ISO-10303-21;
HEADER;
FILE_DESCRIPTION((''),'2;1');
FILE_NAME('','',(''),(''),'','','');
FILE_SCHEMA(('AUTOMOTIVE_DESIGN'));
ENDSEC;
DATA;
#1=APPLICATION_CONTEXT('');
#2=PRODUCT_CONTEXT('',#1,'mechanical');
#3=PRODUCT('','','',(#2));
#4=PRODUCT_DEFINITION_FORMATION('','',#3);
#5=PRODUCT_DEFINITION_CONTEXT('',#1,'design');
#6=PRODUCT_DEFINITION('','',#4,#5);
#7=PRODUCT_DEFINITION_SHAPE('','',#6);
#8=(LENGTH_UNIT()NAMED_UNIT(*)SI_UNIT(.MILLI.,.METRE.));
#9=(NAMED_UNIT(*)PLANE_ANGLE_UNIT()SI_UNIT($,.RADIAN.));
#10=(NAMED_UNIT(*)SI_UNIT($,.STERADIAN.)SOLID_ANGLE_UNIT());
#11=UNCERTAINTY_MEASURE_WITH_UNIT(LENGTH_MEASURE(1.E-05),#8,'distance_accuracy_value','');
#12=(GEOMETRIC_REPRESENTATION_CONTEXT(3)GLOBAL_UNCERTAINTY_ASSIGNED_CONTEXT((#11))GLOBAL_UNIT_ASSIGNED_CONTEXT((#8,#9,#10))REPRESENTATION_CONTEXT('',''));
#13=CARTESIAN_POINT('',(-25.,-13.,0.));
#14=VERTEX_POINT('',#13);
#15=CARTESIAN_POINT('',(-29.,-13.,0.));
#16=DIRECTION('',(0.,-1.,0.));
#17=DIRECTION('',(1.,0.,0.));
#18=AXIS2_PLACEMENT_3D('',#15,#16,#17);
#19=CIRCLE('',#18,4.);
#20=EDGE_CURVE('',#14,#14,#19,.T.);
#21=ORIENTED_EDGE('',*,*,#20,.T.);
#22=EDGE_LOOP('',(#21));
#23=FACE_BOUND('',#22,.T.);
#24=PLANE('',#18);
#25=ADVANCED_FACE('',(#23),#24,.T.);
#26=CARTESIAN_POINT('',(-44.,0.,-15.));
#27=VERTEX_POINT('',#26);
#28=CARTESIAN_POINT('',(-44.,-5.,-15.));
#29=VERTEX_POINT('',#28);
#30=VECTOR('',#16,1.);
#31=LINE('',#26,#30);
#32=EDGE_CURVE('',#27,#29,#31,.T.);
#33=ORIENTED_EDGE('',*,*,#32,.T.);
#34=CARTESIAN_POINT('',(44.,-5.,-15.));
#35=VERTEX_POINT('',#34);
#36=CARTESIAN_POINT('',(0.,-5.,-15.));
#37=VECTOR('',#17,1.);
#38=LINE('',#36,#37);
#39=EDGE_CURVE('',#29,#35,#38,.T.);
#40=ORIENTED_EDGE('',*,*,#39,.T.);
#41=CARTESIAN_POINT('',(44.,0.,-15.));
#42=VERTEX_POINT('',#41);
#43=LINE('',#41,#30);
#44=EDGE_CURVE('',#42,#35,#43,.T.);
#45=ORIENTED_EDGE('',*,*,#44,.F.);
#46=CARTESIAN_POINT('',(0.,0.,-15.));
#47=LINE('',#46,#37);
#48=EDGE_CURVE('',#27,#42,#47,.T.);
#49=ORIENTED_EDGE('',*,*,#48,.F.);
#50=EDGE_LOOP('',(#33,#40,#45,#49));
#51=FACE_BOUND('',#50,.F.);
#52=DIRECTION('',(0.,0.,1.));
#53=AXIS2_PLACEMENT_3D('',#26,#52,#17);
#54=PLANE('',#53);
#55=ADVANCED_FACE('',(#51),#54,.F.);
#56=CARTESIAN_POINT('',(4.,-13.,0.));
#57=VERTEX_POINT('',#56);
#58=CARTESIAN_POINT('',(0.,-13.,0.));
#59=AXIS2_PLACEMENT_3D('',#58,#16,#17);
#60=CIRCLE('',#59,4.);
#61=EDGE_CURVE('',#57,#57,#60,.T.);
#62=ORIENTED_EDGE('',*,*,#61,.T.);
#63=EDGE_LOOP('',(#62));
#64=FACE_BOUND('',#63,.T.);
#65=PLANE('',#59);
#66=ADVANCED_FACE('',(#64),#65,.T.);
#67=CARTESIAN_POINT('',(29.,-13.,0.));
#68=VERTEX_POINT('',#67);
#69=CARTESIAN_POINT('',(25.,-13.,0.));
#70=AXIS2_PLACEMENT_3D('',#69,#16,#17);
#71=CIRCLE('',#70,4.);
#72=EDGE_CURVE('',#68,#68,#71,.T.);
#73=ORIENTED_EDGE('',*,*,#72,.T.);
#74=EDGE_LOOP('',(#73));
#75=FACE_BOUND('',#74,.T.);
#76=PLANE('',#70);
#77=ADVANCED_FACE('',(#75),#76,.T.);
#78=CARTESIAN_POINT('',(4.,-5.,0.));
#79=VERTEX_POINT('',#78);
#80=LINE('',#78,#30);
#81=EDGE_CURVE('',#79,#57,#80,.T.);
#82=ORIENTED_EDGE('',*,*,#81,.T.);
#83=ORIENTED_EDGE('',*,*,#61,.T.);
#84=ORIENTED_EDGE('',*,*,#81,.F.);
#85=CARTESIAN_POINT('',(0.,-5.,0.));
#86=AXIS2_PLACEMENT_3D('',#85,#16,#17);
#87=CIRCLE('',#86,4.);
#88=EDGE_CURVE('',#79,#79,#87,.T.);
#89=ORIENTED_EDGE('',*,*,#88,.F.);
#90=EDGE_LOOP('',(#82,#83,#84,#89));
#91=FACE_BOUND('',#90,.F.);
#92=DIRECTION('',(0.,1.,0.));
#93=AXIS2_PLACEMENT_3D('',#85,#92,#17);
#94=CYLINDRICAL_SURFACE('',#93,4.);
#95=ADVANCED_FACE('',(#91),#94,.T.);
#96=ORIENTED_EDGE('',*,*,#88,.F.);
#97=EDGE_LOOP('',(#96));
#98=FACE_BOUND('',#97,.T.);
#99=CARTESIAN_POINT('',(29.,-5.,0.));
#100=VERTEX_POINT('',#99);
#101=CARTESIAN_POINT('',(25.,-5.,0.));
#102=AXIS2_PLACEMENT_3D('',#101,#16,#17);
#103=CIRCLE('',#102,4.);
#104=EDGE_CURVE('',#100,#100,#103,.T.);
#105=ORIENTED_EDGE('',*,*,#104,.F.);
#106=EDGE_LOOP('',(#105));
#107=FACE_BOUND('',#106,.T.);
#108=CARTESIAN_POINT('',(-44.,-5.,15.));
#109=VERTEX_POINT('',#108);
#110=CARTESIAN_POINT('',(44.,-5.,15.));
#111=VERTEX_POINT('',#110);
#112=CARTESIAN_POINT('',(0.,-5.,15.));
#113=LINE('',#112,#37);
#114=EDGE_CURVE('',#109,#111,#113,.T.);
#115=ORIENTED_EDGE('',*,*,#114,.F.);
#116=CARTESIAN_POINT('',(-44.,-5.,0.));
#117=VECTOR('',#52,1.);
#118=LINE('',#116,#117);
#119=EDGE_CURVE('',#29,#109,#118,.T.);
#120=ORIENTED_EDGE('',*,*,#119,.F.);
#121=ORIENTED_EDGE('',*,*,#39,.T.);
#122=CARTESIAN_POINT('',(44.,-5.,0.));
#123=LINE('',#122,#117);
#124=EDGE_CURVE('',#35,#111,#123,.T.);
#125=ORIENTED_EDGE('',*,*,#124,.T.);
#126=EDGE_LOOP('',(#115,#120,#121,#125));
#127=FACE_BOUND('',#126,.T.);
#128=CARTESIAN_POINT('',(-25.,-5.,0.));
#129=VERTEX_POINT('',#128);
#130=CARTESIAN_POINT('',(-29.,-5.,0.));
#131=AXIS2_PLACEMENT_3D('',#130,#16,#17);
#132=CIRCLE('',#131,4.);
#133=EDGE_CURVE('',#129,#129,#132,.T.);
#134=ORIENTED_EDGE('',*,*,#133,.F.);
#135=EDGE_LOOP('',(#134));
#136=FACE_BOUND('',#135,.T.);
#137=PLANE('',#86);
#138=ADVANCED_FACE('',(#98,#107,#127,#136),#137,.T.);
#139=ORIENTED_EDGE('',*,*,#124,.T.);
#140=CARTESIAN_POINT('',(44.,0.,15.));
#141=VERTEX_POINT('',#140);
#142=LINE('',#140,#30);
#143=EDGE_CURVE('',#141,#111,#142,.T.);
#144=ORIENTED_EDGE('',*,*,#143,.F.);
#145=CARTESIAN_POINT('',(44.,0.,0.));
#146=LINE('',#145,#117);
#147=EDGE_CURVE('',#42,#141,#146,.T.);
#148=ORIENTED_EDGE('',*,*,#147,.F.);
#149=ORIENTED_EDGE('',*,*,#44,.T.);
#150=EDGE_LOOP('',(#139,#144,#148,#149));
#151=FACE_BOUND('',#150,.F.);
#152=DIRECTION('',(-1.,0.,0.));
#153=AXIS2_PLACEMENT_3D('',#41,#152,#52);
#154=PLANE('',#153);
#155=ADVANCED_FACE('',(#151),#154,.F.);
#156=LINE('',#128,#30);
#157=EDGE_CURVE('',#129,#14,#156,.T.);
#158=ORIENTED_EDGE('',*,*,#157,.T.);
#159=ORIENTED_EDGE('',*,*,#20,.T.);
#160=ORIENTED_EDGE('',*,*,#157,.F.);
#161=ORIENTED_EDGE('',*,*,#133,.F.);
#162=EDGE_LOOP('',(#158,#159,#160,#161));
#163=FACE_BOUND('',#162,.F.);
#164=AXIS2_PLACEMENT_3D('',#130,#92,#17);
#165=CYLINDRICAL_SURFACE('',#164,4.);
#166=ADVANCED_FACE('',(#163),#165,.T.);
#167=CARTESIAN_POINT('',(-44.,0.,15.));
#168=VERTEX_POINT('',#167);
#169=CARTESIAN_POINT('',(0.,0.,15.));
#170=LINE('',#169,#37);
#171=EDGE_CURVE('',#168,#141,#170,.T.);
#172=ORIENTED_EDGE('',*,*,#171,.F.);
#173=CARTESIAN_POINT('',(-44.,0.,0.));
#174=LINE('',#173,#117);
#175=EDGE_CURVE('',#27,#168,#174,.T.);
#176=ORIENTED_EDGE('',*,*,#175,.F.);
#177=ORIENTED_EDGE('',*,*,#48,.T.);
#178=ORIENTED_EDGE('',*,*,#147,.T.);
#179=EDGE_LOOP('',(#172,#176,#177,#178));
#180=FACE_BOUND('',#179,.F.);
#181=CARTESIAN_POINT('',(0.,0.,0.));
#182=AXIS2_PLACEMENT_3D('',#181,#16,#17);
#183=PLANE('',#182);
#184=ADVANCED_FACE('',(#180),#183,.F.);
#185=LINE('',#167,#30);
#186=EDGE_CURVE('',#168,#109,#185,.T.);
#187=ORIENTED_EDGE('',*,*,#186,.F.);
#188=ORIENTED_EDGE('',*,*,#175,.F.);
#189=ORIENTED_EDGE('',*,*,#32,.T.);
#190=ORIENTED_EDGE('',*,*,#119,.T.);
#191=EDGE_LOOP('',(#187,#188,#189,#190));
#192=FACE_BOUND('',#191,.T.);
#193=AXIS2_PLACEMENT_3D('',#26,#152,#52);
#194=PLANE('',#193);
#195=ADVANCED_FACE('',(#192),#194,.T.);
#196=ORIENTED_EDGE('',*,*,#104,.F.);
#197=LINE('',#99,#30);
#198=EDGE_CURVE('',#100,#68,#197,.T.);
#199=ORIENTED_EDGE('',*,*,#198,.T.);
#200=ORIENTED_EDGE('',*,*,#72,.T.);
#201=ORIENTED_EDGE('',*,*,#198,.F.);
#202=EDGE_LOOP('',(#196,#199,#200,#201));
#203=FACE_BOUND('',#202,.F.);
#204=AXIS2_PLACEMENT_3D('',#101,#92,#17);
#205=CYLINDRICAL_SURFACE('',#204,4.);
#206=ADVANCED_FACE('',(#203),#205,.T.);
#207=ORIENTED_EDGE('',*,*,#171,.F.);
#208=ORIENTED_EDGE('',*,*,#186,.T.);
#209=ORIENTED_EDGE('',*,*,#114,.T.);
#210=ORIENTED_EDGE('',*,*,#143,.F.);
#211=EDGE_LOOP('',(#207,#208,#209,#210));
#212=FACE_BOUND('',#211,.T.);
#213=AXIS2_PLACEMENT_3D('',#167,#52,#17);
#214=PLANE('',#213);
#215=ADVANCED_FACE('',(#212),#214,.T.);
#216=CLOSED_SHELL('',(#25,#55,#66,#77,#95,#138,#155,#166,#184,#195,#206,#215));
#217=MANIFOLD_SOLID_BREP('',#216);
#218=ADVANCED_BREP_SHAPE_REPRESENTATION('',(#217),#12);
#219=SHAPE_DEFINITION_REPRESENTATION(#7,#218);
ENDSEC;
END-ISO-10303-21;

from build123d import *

# Parameters (mm, degrees)
F0_W     = 88
F0_H     = 30
F1_DEPTH = 5
F2_R     = 4
F3_DEPTH = 8
F4_R     = 4
F5_DEPTH = 8


with BuildPart() as f1:
    # F0 (on Front) → F1 (new body)
    with BuildSketch(Plane.XZ):
        Rectangle(F0_W, F0_H)
    extrude(amount=F1_DEPTH)

    # F2 (on face) → F3 (join)
    with BuildSketch(Plane.XZ.offset(5)):
        with Locations((-29, 0)):
            Circle(F2_R)
    extrude(amount=F3_DEPTH)

    # F4 (on face) → F5 (join)
    with BuildSketch(Plane.XZ.offset(5)):
        Circle(F4_R)
        with Locations((25, 0)):
            Circle(F4_R)
    extrude(amount=F5_DEPTH)


solid = f1.part
